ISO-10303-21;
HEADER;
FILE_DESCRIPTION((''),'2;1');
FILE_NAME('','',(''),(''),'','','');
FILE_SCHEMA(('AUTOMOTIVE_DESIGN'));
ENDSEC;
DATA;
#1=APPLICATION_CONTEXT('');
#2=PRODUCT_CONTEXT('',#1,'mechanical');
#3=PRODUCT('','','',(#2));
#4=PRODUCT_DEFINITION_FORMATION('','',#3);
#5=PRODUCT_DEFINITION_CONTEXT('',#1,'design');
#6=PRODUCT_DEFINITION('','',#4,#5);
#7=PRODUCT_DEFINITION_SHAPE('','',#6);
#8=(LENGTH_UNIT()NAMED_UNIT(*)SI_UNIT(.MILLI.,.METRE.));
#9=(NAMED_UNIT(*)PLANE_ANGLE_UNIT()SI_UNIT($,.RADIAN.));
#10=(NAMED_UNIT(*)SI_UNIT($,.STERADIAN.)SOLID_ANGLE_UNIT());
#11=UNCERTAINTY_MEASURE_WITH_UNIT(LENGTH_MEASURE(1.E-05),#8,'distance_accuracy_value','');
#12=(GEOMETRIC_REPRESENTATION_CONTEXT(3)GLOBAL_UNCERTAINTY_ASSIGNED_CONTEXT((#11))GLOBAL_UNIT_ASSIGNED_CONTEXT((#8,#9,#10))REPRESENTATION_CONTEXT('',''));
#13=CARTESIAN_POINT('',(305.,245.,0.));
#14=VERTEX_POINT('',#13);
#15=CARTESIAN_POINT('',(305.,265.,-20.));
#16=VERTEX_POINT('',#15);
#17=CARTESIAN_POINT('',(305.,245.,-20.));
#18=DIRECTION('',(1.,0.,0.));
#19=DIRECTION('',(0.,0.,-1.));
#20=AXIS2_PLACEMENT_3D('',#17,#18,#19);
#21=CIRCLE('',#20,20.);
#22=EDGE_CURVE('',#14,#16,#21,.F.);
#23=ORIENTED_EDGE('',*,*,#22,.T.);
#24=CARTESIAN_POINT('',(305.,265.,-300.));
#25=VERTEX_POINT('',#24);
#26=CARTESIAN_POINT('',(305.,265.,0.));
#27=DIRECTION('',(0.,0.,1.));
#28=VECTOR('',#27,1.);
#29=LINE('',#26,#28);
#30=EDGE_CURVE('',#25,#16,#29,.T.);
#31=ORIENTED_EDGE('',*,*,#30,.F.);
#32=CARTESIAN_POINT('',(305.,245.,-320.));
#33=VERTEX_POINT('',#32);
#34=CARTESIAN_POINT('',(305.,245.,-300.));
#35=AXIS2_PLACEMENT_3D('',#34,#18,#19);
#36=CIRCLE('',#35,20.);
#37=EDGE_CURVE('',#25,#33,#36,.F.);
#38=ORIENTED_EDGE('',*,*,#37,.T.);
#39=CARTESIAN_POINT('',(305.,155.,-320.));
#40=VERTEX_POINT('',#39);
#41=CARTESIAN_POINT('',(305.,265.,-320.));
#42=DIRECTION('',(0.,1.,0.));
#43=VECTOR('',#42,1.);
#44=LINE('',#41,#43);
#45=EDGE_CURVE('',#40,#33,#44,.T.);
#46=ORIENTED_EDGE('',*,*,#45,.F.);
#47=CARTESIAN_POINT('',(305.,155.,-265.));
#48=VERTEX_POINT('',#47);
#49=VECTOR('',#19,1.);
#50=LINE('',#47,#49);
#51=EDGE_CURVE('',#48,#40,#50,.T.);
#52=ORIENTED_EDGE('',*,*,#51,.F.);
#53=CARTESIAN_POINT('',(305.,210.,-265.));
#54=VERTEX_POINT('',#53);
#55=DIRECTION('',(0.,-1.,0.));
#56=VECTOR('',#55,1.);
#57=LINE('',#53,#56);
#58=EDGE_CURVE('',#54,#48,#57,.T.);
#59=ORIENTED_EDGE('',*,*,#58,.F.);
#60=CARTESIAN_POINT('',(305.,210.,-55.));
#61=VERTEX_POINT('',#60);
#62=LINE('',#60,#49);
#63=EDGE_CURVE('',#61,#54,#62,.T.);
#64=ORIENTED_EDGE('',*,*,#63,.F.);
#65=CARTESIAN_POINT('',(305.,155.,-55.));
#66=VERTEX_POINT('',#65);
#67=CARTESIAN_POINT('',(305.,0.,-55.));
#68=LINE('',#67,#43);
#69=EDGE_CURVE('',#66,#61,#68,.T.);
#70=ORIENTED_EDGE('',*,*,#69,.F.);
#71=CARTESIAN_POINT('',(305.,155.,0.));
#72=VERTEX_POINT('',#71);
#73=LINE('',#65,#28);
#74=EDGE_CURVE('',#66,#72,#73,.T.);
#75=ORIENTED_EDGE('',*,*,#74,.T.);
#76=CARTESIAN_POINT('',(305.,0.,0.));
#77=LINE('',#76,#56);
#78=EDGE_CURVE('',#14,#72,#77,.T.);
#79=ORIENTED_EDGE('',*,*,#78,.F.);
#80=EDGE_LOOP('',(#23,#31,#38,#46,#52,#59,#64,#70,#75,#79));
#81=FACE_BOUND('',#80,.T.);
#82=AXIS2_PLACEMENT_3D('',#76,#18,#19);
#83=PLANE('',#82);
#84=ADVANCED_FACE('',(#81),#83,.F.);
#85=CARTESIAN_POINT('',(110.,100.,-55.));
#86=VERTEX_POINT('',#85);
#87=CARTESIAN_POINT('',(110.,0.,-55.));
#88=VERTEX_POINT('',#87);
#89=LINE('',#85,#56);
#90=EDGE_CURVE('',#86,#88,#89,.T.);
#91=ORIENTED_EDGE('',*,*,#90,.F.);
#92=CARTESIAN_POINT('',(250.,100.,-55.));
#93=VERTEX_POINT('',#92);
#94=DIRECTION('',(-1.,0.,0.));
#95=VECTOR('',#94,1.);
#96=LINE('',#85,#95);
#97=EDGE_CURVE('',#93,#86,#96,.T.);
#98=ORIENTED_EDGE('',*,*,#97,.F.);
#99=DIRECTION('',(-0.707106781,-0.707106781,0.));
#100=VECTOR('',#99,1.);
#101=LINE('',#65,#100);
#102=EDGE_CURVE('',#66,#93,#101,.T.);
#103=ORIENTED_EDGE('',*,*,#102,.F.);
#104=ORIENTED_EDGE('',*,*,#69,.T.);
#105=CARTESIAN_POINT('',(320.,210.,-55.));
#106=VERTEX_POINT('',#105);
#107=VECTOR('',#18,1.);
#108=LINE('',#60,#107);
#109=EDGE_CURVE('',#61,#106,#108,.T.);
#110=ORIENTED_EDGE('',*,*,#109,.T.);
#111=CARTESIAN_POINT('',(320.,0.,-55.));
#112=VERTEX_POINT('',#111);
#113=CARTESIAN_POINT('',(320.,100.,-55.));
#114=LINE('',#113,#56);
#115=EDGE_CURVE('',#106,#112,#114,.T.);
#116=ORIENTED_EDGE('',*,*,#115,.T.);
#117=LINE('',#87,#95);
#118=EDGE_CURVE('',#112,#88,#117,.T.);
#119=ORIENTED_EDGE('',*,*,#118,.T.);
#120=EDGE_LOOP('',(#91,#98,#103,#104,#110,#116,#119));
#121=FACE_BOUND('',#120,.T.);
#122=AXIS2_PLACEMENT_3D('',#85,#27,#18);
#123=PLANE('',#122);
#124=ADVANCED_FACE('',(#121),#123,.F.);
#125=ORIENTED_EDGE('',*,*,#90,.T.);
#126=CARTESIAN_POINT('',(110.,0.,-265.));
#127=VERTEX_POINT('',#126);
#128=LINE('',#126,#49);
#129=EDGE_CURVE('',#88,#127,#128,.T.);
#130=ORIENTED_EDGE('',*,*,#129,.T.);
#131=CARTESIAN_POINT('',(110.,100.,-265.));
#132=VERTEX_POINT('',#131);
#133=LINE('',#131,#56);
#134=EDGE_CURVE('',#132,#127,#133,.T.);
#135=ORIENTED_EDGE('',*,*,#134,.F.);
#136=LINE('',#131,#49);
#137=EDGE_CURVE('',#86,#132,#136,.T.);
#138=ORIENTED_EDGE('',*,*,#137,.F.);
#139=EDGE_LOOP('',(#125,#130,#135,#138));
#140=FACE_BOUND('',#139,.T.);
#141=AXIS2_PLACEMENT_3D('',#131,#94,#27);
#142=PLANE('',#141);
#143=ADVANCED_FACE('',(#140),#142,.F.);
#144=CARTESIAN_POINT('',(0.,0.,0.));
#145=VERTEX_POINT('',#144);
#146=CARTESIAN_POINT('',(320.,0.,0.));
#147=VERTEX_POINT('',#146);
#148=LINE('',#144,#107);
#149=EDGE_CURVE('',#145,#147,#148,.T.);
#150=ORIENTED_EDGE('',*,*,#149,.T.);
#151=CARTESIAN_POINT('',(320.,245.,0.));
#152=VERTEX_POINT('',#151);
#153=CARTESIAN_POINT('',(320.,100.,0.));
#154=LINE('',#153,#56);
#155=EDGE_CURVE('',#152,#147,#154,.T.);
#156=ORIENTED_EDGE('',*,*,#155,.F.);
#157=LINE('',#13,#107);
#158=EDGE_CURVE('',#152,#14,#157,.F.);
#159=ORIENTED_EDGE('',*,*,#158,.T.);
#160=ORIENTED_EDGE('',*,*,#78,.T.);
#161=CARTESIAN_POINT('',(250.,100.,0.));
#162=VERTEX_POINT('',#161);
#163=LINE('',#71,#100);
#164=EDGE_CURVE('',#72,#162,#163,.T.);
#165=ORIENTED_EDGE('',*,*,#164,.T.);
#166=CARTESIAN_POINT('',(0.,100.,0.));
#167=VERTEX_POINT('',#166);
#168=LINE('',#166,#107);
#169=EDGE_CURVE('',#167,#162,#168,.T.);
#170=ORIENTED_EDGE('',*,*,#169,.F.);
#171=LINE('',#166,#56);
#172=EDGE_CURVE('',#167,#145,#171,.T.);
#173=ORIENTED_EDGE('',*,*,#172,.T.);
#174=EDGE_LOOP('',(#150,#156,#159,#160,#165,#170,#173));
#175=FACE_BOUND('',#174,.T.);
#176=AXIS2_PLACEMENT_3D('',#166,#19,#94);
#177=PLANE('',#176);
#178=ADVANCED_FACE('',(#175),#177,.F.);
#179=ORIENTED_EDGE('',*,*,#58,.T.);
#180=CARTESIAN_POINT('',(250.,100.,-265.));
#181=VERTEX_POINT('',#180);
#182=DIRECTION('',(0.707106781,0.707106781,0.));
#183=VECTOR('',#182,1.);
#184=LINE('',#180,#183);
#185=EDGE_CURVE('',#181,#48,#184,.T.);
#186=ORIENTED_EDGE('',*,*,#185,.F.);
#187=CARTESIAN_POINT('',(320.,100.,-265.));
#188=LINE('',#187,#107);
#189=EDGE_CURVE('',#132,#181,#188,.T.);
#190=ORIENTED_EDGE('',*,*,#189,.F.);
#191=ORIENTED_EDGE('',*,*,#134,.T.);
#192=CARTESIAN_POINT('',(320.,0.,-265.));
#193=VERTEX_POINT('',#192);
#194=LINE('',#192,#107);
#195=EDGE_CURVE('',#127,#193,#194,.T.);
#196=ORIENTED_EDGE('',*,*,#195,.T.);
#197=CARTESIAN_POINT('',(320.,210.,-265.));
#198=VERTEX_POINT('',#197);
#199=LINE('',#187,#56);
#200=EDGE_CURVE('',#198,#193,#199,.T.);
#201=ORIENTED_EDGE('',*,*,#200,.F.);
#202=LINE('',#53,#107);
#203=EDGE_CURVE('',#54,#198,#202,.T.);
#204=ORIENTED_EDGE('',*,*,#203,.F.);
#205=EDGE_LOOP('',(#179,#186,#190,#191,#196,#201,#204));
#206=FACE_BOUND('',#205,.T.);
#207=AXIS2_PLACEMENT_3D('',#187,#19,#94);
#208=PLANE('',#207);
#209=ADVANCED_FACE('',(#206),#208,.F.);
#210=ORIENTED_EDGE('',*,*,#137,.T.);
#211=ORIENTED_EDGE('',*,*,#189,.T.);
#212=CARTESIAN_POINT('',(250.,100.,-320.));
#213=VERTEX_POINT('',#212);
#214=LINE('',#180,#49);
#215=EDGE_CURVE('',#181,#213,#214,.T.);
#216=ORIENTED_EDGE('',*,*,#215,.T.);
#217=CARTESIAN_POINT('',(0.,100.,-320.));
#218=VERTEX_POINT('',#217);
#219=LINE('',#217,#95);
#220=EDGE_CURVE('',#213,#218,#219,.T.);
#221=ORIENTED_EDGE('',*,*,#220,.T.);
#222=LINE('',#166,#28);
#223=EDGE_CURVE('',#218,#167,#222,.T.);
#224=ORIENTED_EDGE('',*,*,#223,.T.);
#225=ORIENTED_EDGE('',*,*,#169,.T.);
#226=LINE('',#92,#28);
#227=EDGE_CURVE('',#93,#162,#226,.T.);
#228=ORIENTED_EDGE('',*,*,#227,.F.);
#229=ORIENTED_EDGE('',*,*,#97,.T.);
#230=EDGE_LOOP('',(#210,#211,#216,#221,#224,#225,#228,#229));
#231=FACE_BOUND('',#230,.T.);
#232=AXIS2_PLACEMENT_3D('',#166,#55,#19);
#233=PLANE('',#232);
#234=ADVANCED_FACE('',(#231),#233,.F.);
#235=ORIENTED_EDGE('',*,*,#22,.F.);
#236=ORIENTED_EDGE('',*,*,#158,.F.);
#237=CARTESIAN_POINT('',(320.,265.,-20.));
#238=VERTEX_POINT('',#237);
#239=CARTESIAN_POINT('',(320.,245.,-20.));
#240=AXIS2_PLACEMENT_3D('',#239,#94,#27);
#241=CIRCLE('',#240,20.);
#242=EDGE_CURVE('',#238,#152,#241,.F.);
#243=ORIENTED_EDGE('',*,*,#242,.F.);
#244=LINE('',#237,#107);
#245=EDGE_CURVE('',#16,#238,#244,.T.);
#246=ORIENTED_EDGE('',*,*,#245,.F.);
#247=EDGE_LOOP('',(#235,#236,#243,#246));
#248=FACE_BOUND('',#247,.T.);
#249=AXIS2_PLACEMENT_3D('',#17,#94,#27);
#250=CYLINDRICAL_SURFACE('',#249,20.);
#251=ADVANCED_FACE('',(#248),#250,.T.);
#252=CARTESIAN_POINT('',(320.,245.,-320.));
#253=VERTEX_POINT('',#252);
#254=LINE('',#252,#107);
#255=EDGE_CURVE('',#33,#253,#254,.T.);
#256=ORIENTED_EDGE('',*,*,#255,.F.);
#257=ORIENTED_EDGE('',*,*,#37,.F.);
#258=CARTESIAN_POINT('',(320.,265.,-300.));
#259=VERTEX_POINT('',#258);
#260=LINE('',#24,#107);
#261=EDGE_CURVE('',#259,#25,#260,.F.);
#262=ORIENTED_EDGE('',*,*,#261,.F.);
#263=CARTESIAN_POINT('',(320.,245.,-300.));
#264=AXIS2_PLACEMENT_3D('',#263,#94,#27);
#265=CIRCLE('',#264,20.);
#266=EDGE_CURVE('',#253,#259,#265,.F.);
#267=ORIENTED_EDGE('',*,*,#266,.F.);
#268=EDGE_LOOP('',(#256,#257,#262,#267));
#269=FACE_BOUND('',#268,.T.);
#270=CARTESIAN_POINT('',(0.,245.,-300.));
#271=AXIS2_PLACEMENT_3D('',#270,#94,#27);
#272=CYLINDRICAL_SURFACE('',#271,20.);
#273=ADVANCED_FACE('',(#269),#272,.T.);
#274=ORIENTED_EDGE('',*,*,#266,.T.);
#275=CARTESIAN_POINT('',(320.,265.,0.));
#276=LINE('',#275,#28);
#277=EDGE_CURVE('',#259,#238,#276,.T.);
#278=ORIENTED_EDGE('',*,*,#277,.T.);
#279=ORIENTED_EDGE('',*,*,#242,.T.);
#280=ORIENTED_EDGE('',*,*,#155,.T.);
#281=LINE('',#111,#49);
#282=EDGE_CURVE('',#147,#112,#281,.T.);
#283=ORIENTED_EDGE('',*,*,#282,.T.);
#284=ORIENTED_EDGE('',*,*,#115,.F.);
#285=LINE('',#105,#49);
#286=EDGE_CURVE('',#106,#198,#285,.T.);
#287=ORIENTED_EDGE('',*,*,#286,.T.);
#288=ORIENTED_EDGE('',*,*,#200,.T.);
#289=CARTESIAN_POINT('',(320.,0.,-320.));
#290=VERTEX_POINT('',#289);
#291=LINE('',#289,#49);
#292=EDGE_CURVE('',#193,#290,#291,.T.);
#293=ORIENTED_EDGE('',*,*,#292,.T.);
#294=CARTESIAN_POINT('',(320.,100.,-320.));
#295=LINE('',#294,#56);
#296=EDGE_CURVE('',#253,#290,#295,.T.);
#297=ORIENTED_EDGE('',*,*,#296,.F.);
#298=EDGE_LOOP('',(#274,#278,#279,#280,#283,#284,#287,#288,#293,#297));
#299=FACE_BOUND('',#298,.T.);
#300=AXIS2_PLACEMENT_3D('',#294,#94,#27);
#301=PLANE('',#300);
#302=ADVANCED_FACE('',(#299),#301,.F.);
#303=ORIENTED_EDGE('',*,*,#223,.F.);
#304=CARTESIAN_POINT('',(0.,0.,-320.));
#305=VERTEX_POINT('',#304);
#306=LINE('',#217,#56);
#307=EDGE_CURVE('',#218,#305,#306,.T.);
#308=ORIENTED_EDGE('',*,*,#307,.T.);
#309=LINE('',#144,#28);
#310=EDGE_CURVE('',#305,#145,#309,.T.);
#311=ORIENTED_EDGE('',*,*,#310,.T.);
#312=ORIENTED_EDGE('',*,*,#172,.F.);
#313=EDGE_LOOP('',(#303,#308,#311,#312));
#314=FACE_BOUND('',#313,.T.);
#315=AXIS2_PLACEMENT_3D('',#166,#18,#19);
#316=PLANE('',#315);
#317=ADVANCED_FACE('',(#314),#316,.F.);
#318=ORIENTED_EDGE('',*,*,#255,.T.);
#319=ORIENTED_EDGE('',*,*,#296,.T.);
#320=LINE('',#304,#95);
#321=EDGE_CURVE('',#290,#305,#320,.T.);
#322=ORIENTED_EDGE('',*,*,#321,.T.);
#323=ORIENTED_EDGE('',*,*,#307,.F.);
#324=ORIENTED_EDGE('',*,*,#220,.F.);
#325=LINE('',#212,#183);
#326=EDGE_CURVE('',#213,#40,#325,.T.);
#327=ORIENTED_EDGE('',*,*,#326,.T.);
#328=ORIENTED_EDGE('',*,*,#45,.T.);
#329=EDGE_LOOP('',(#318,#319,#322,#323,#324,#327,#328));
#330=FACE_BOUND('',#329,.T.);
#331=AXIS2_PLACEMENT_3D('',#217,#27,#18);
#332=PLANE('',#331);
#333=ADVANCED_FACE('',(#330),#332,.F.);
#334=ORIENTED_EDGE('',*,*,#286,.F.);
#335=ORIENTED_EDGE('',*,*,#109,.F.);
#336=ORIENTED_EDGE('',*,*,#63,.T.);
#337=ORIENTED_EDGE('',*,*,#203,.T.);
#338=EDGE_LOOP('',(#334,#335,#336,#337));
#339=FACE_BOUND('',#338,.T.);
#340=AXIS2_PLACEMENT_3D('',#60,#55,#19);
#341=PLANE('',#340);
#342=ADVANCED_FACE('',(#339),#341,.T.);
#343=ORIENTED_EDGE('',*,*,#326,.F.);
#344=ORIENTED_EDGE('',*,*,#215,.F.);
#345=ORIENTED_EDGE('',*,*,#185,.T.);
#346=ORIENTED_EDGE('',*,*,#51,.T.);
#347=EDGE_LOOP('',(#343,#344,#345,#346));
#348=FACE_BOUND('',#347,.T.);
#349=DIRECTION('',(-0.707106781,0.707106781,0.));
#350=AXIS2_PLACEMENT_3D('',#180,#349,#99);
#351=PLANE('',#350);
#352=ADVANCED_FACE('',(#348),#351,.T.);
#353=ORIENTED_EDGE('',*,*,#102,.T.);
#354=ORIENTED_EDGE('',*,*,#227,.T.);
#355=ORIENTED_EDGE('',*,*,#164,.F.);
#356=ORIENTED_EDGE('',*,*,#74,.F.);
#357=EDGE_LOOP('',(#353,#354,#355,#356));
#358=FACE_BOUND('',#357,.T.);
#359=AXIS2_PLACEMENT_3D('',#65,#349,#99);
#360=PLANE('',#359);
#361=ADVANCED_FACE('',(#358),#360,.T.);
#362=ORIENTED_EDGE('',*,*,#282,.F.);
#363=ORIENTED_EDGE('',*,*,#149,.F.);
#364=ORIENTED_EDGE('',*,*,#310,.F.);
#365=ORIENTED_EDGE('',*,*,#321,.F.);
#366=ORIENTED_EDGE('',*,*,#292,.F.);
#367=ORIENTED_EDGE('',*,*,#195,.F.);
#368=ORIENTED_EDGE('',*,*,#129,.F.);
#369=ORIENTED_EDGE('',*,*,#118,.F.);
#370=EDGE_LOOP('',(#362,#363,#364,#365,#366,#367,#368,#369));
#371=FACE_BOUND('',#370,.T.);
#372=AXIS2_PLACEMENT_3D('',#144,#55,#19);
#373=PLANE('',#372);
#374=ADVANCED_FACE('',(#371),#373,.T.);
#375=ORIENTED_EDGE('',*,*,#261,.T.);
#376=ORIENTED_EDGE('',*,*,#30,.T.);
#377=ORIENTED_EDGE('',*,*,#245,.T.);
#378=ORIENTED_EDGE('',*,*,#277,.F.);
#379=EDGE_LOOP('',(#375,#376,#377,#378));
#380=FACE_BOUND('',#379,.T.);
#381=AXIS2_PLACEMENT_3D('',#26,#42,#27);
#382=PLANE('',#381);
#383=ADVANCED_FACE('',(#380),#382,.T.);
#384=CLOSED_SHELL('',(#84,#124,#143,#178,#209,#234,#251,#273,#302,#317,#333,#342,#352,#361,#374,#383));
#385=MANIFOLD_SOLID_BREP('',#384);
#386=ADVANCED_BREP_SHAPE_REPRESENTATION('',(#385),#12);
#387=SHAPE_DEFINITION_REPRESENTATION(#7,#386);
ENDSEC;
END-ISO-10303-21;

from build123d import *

# Parameters (mm, degrees)
EXTRUDE_1_DEPTH = 100
EXTRUDE_2_DEPTH = 15
EXTRUDE_3_DEPTH = 55
EXTRUDE_4_DEPTH = 55
FILLET_1_R      = 20


with BuildPart() as part:
    # 草图1 → 凸台-拉伸1 (new body)
    with BuildSketch(Plane(origin=(0, 0, 0), x_dir=(1, 0, 0), z_dir=(0, 1, 0))):
        Polygon((0, 0), (320, 0), (320, 55), (110, 55), (110, 265), (320, 265), (320, 320), (0, 320), align=None)
    extrude(amount=EXTRUDE_1_DEPTH)

    # 草图2 → 凸台-拉伸2 (add)
    with BuildSketch(Plane(origin=(320, 0, 0), x_dir=(0, 0, -1), z_dir=(1, 0, 0))):
        Polygon((0, 0), (0, 265), (320, 265), (320, 0), (265, 0), (265, 210), (55, 210), (55, 0), align=None)
    extrude(amount=-EXTRUDE_2_DEPTH)

    # 草图3 → 凸台-拉伸3 (add)
    with BuildSketch(Plane.XY):
        Polygon((250, 100), (305, 100), (305, 155), align=None)
    extrude(amount=-EXTRUDE_3_DEPTH)

    # 草图4 → 凸台-拉伸4 (add)
    with BuildSketch(Plane(origin=(0, 0, -320), x_dir=(-1, 0, 0), z_dir=(0, 0, -1))):
        Polygon((-305, 155), (-305, 100), (-250, 100), align=None)
    extrude(amount=-EXTRUDE_4_DEPTH)

    # 圆角1
    fillet_1_edges = [part.edges().sort_by_distance(p)[0] for p in [
        (312.5, 265, -320),
        (312.5, 265, 0),
    ]]
    fillet(fillet_1_edges, radius=FILLET_1_R)


solid = part.part
